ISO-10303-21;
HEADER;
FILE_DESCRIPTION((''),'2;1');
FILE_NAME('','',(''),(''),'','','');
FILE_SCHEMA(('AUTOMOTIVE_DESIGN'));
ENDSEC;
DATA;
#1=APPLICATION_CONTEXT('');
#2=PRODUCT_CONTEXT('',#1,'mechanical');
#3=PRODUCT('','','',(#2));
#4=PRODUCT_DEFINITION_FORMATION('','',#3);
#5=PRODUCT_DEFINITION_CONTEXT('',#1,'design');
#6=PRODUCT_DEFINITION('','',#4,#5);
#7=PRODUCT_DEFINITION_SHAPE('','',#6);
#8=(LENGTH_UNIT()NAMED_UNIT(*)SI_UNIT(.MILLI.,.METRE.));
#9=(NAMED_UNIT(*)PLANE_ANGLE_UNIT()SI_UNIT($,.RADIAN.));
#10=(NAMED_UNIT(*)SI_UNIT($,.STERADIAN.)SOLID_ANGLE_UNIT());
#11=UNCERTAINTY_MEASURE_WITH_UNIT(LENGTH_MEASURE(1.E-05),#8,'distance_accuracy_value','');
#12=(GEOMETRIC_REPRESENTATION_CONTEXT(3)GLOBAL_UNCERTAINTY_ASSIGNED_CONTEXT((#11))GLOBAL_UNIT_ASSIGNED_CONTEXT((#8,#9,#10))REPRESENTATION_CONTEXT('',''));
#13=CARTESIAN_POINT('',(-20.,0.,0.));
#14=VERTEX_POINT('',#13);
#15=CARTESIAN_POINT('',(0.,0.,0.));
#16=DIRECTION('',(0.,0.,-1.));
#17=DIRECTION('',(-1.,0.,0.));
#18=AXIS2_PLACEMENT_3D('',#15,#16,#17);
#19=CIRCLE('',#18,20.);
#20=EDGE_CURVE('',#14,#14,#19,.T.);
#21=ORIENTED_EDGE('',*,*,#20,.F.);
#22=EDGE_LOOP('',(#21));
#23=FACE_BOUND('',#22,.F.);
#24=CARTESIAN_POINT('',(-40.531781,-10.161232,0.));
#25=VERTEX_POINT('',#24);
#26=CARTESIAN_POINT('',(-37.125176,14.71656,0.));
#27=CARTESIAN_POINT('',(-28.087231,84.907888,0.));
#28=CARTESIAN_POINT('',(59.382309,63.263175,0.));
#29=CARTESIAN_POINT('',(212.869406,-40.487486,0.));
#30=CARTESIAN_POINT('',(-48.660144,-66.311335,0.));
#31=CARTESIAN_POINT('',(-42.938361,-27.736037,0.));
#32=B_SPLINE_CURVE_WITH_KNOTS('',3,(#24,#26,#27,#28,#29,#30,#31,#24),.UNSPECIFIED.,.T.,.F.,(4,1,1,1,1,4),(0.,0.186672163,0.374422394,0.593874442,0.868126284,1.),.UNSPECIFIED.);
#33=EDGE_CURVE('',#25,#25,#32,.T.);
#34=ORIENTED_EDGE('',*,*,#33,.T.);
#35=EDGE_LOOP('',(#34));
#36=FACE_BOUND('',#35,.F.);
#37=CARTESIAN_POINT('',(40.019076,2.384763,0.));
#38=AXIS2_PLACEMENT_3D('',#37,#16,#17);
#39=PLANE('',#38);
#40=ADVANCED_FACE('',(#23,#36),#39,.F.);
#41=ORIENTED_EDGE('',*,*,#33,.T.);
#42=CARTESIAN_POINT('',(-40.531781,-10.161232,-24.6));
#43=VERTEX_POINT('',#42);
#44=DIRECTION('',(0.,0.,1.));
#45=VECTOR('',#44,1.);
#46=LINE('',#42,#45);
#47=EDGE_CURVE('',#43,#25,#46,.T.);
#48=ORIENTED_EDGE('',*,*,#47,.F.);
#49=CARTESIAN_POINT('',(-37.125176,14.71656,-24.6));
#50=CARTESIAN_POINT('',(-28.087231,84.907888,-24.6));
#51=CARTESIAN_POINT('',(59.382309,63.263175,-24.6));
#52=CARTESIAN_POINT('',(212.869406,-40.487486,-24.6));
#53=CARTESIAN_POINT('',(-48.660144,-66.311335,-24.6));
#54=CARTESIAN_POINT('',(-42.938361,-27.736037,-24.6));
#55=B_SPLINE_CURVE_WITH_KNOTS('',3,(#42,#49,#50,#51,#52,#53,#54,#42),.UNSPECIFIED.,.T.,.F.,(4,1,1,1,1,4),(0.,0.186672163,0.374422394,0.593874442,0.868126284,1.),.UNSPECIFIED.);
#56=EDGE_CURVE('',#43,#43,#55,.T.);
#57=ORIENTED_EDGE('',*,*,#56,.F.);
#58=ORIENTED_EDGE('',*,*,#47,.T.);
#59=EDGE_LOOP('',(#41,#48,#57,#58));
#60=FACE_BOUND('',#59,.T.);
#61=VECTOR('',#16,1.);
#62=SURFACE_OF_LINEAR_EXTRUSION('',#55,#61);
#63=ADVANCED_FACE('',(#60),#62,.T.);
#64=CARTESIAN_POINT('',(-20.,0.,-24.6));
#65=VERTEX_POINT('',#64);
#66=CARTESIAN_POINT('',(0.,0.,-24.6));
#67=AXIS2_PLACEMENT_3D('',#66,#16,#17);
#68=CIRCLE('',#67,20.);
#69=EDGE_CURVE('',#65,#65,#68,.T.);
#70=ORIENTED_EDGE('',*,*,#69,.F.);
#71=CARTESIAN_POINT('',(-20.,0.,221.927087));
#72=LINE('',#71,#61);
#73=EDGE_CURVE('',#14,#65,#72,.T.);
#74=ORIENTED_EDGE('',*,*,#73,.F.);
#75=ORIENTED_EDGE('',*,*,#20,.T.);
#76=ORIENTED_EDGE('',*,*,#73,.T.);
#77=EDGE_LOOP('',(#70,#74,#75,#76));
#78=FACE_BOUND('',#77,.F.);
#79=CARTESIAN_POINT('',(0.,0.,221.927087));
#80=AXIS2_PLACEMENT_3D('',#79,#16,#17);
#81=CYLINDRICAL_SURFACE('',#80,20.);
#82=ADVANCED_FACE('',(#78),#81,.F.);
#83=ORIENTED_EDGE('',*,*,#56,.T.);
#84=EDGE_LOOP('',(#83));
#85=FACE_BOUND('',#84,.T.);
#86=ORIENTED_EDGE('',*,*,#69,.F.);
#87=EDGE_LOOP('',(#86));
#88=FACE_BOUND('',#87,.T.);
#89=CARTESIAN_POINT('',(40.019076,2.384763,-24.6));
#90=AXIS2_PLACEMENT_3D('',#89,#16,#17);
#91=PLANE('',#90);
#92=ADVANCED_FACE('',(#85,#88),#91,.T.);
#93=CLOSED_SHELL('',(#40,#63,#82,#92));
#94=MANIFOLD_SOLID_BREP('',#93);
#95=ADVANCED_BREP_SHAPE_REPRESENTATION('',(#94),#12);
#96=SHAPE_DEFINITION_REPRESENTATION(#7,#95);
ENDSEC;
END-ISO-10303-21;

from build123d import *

# Parameters (mm, degrees)
F1_DEPTH = 24.6
F3_D     = 40


with BuildPart() as f1:
    # F0 (on Top) → F1 (new body)
    with BuildSketch(Plane.XY):
        with BuildLine():
            add(Edge.make_bspline(
                [(-90.7017812133, -44.2164130509), (-87.2951766536, -19.3386212515), (-78.2572317706, 50.8527069634), (9.212308129, 29.2079941802), (162.6994054713, -74.5426669959), (-98.8301450795, -100.3665161081), (-93.1083617996, -61.7912180293), (-90.7017812133, -44.2164130509)],
                knots=[0, 0, 0, 0, 0.186672163, 0.3744223937, 0.5938744415, 0.8681262837, 1, 1, 1, 1], degree=3))
        make_face()
    extrude(amount=F1_DEPTH)

    # F3 (through all)
    with Locations(Plane.XY.offset(24.6)):
        with Locations((-50.1700006425, -34.0551808476)):
            Hole(F3_D / 2)


with BuildPart() as f1_1:
    # F4: moved
    add(f1.part.moved(Location((50.1700006425, 34.0551808476, -24.6))))


solid = f1_1.part
